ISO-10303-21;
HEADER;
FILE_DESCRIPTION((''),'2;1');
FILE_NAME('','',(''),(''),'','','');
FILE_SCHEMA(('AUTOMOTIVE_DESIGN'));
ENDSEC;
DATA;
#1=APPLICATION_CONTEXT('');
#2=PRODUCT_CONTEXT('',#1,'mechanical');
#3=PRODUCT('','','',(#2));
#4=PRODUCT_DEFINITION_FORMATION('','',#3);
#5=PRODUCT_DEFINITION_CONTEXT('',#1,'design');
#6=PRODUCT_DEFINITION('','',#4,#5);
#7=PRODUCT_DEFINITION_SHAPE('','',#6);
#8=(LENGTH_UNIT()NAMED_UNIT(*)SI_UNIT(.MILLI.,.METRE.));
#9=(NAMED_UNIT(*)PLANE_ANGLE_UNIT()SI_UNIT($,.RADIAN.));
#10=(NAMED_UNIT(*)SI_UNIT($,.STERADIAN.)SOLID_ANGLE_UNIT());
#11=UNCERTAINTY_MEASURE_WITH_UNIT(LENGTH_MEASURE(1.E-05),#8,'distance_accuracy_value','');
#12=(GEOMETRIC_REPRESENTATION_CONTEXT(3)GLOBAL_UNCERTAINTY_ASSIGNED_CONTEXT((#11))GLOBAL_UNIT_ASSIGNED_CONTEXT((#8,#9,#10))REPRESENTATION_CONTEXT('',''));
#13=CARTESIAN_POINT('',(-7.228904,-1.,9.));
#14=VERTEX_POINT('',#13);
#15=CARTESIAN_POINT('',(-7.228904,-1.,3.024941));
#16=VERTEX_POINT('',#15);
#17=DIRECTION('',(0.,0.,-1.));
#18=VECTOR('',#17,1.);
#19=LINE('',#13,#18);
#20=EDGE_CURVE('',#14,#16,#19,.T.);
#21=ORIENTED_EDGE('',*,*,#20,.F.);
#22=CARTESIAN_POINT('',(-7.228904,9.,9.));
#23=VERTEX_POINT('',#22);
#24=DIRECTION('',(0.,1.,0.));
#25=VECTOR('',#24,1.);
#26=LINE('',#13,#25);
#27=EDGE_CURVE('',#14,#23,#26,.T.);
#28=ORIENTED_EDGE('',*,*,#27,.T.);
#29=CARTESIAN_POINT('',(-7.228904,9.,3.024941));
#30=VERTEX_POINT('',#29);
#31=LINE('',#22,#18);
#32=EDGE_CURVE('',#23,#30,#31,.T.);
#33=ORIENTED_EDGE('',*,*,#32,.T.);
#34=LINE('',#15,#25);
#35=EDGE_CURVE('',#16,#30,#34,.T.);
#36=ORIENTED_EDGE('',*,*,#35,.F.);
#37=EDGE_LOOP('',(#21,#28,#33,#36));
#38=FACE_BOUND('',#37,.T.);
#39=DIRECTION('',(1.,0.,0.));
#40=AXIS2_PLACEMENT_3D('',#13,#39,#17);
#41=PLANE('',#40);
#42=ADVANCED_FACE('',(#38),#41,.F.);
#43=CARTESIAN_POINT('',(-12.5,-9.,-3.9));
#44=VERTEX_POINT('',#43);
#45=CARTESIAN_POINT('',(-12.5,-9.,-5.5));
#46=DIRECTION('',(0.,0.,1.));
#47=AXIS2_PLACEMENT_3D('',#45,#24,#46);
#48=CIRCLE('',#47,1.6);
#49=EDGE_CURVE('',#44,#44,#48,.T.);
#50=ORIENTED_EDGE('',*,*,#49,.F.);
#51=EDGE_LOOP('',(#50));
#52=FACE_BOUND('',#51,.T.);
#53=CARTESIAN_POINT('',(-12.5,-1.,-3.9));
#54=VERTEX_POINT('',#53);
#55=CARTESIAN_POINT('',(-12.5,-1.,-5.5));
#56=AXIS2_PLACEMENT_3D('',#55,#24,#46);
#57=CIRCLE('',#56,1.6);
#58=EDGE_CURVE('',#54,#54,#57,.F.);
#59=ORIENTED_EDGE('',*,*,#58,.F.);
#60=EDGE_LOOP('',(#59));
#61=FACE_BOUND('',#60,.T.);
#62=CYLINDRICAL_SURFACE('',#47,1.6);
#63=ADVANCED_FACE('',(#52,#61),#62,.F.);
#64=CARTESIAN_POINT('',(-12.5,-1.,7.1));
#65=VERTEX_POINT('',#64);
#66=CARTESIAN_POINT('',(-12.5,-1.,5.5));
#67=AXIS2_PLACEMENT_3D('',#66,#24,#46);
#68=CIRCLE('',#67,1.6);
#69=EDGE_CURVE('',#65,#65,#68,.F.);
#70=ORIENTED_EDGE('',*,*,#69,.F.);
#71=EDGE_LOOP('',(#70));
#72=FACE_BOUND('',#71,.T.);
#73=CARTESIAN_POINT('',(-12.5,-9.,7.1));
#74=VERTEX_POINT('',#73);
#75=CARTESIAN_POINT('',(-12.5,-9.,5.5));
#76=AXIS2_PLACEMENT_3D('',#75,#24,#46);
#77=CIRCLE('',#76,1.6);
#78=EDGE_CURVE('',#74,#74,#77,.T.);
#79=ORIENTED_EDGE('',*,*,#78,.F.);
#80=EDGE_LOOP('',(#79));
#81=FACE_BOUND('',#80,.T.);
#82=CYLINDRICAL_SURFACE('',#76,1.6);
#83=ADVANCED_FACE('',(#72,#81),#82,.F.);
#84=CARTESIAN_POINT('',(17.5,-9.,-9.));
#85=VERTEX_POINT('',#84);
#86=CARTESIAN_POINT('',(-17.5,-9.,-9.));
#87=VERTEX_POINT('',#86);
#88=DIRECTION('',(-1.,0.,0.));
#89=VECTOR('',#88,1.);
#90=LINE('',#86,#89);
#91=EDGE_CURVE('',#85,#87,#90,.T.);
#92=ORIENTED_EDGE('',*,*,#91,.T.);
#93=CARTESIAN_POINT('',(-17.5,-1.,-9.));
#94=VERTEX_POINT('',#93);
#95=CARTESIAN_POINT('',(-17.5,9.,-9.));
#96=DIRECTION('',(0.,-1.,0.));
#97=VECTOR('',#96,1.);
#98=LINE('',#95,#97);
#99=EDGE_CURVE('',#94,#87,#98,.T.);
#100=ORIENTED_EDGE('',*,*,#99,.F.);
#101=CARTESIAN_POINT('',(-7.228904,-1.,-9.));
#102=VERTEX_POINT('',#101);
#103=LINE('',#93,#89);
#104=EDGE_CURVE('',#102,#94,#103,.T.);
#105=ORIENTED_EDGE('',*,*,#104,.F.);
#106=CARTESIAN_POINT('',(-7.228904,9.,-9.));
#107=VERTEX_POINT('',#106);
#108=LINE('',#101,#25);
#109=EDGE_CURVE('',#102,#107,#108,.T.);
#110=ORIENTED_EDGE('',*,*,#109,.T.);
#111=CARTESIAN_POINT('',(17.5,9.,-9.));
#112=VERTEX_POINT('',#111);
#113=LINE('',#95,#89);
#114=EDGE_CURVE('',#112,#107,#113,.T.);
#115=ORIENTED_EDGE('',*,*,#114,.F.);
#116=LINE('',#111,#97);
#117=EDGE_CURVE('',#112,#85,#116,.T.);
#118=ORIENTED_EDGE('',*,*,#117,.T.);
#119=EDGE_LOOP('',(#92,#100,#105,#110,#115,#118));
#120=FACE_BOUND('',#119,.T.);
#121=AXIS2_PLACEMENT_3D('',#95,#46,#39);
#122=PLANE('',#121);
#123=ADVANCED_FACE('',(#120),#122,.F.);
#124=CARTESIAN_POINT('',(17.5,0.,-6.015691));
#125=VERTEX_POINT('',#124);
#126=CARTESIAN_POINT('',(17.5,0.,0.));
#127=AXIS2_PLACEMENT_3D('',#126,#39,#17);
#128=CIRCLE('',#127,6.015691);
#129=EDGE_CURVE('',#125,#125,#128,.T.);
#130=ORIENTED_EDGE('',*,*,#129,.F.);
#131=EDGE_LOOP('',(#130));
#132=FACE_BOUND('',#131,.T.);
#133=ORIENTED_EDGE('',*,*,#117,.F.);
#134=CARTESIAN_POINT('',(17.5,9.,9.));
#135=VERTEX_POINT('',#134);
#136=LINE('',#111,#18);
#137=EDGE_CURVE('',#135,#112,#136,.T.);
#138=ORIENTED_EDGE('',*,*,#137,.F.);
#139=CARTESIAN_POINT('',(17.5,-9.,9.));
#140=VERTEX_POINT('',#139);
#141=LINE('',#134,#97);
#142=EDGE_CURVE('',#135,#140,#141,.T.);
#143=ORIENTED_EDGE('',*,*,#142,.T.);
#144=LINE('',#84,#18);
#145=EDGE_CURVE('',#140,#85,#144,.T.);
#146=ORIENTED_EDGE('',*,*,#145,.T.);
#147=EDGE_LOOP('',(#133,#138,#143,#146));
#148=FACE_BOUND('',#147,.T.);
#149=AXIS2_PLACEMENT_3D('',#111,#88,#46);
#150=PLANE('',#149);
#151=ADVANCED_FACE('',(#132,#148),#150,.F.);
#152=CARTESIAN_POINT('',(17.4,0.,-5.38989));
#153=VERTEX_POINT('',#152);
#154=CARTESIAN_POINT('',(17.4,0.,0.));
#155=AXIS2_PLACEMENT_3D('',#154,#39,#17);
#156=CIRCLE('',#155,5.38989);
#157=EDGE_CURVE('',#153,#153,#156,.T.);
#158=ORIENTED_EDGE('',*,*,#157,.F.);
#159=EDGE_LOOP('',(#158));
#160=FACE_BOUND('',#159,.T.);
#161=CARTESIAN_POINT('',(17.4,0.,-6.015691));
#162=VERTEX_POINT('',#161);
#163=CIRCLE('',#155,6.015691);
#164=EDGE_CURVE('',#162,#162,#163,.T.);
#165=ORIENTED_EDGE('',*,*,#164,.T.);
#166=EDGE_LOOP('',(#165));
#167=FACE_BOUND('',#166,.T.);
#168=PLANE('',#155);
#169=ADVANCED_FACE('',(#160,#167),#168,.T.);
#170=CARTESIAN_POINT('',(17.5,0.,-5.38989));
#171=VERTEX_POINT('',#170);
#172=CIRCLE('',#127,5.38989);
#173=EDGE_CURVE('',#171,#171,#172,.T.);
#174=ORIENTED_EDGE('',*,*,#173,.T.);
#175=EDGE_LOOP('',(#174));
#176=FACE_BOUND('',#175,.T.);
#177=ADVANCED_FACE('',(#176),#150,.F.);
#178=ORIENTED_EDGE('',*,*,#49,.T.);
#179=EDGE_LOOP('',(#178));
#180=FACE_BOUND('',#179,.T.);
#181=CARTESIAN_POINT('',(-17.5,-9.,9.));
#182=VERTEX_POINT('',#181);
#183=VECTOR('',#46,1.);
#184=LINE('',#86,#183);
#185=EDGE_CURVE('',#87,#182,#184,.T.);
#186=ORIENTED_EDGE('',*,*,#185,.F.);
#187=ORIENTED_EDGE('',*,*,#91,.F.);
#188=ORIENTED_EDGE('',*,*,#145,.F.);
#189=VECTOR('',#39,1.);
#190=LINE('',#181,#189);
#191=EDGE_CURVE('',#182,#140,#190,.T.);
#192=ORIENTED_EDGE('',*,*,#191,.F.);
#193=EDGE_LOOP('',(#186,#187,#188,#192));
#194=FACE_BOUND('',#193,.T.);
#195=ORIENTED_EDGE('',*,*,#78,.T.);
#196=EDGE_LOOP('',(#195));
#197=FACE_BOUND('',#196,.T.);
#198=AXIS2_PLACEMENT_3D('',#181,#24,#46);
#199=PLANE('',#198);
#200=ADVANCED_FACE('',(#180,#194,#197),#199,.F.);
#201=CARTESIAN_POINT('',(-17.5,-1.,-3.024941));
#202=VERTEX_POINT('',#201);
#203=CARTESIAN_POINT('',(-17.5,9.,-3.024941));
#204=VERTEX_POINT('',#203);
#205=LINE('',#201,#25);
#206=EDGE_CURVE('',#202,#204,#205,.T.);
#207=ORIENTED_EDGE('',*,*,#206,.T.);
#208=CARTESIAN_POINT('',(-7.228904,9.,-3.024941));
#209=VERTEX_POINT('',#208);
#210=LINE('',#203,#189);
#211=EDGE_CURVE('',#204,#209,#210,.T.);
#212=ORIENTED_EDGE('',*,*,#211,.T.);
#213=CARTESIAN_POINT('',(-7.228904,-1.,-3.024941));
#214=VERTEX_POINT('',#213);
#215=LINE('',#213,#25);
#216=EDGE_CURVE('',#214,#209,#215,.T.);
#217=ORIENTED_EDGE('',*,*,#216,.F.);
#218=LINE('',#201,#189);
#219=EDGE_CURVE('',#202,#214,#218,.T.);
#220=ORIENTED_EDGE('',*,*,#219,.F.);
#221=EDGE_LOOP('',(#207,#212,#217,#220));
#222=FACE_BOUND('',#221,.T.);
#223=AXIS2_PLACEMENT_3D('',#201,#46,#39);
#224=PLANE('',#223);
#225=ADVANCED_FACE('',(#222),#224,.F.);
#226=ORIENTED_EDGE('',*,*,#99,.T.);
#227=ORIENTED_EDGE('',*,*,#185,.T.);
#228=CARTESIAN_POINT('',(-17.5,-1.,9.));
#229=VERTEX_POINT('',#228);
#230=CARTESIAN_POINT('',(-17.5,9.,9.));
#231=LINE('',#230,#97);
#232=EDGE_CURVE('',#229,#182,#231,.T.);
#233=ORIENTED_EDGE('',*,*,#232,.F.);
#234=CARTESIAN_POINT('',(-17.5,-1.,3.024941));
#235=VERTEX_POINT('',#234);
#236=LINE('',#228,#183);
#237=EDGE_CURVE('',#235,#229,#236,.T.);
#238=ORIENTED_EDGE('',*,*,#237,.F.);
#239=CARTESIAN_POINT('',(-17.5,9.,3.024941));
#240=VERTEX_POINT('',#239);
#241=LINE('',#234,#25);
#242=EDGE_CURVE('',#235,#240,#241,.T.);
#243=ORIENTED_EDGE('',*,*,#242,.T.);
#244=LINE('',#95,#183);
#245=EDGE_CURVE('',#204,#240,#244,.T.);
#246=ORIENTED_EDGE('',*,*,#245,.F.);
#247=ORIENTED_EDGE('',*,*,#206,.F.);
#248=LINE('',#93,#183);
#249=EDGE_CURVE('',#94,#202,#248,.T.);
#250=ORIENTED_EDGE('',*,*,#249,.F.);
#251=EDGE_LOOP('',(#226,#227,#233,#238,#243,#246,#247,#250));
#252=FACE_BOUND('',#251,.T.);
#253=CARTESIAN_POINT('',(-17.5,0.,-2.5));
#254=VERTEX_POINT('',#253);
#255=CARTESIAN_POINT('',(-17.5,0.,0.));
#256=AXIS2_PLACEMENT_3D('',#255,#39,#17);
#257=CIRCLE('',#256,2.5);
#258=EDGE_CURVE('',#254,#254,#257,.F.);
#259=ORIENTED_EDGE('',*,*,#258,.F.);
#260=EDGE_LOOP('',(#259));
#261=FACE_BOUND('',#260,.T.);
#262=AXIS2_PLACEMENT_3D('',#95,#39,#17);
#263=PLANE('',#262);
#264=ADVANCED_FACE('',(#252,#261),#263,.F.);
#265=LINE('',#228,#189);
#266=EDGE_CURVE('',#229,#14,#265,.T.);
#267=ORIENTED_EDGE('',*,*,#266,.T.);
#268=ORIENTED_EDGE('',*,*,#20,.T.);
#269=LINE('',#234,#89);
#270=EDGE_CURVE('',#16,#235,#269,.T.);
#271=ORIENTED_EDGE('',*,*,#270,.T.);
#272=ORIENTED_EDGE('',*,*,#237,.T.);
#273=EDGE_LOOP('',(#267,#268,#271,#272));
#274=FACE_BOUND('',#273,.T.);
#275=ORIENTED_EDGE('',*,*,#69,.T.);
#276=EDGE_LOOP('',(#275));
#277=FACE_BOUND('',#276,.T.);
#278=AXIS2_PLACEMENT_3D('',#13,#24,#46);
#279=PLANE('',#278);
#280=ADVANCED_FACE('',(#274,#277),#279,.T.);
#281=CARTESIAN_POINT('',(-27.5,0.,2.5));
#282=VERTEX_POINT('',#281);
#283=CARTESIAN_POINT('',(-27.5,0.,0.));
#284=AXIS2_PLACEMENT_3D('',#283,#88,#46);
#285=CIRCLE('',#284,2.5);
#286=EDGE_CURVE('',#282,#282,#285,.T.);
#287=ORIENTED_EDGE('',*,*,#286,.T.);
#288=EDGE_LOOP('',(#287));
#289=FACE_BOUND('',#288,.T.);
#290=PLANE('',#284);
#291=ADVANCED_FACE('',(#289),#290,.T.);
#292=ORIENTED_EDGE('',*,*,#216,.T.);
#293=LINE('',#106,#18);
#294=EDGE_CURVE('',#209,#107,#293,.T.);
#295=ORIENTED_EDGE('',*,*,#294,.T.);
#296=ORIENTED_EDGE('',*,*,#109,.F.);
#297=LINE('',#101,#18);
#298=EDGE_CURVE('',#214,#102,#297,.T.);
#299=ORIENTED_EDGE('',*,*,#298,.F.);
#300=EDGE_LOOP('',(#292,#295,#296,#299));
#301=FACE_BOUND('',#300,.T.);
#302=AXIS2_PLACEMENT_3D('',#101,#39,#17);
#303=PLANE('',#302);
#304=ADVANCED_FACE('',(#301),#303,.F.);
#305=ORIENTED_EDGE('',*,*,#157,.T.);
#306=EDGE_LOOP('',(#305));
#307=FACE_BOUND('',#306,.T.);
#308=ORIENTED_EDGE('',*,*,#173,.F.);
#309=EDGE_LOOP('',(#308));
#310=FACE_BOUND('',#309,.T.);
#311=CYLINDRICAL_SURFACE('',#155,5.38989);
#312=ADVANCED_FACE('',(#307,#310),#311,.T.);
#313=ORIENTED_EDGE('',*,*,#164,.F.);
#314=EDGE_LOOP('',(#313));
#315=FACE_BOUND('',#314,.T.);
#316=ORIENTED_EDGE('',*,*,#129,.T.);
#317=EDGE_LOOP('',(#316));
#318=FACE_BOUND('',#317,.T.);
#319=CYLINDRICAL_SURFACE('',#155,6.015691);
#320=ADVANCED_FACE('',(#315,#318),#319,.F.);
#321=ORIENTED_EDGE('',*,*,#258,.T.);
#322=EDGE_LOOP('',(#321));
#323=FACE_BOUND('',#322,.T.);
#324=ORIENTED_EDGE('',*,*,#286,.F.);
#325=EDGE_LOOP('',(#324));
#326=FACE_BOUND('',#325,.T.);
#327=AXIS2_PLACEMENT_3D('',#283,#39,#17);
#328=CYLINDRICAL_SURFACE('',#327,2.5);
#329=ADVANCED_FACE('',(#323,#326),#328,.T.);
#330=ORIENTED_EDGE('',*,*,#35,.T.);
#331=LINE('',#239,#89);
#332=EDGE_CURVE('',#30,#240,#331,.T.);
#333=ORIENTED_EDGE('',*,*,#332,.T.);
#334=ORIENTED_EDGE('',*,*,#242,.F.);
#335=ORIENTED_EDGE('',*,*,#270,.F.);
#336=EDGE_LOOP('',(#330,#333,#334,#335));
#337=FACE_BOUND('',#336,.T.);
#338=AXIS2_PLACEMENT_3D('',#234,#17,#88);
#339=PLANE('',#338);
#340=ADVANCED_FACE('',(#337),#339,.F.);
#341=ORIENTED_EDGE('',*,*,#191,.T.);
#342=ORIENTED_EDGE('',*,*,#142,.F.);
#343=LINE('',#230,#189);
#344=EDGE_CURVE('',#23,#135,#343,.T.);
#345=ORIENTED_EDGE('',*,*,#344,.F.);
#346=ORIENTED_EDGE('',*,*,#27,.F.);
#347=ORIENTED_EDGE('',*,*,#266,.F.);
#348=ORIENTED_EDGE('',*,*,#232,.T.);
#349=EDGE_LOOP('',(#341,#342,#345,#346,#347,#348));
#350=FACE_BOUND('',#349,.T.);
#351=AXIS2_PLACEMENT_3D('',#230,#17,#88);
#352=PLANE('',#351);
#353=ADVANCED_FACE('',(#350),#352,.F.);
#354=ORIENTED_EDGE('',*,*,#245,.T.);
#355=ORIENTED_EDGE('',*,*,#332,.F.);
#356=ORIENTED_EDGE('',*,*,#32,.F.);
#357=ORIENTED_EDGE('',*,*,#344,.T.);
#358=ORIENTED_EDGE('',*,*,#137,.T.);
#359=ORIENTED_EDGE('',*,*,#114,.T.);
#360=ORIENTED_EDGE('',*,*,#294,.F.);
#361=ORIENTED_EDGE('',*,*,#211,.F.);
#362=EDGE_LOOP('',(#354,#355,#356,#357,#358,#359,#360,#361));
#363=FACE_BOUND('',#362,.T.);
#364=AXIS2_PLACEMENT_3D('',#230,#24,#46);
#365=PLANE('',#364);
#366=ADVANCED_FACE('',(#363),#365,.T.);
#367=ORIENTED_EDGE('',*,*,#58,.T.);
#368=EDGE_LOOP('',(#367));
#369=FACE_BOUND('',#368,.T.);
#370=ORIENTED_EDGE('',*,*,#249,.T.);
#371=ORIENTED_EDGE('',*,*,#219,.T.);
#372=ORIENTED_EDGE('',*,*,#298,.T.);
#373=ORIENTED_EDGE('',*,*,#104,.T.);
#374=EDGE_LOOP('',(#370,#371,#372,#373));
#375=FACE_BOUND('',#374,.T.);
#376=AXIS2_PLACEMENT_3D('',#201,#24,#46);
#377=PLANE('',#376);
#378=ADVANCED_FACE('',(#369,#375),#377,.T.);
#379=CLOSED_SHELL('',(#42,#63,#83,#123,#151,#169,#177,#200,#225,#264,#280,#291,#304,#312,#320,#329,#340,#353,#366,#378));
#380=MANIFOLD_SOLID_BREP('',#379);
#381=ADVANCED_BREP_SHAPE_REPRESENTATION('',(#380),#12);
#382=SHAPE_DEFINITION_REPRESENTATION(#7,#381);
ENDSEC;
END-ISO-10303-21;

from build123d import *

# Parameters (mm, degrees)
SKETCH_1_W          = 35
SKETCH_1_H          = 18
EXTRUDE_1_DEPTH     = 9
SKETCH_2_R          = 6.015690921
SKETCH_2_R_2        = 5.389890323
CUT_EXTRUDE_1_DEPTH = 0.1
SKETCH_3_R          = 1.6
CUT_EXTRUDE_2_DEPTH = 27.669270706
SKETCH_4_R          = 2.5
EXTRUDE_2_DEPTH     = 10
SKETCH_5_W          = 10.271095748
SKETCH_5_H          = 5.975058515
CUT_EXTRUDE_3_DEPTH = 10


with BuildPart() as part:
    # 草图1 → 凸台-拉伸1 (new, symmetric)
    with BuildSketch(Plane(origin=(0, 0, 0), x_dir=(1, 0, 0), z_dir=(0, 1, 0))):
        Rectangle(SKETCH_1_W, SKETCH_1_H)
    extrude(amount=EXTRUDE_1_DEPTH, both=True)

    # 草图2 → 切除-拉伸1 (cut)
    with BuildSketch(Plane(origin=(17.5, 0, 0), x_dir=(0, 0, -1), z_dir=(1, 0, 0))):
        Circle(SKETCH_2_R)
        Circle(SKETCH_2_R_2, mode=Mode.SUBTRACT)
    extrude(amount=-CUT_EXTRUDE_1_DEPTH, mode=Mode.SUBTRACT)

    # 草图3 → 切除-拉伸2 (cut, through all)
    with BuildSketch(Plane(origin=(0, 9, 0), x_dir=(1, 0, 0), z_dir=(0, 1, 0))):
        with Locations(Location((-12.5, 5.5, 0), (0, 0, 270))):
            Circle(SKETCH_3_R)
        with Locations(Location((-12.5, -5.5, 0), (0, 0, 270))):
            Circle(SKETCH_3_R)
    extrude(amount=-CUT_EXTRUDE_2_DEPTH, mode=Mode.SUBTRACT)

    # 草图4 → 凸台-拉伸2 (add)
    with BuildSketch(Plane.ZY.offset(17.5)):
        with Locations(Location((0, 0, 0), (0, 0, 180))):
            Circle(SKETCH_4_R)
    extrude(amount=EXTRUDE_2_DEPTH)

    # 草图5 → 切除-拉伸3 (cut)
    with BuildSketch(Plane(origin=(0, 9, 0), x_dir=(1, 0, 0), z_dir=(0, 1, 0))):
        with Locations((-12.364452126, 6.012470742)):
            Rectangle(SKETCH_5_W, SKETCH_5_H)
        with Locations((-12.364452126, -6.012470742)):
            Rectangle(SKETCH_5_W, SKETCH_5_H)
    extrude(amount=-CUT_EXTRUDE_3_DEPTH, mode=Mode.SUBTRACT)


solid = part.part
